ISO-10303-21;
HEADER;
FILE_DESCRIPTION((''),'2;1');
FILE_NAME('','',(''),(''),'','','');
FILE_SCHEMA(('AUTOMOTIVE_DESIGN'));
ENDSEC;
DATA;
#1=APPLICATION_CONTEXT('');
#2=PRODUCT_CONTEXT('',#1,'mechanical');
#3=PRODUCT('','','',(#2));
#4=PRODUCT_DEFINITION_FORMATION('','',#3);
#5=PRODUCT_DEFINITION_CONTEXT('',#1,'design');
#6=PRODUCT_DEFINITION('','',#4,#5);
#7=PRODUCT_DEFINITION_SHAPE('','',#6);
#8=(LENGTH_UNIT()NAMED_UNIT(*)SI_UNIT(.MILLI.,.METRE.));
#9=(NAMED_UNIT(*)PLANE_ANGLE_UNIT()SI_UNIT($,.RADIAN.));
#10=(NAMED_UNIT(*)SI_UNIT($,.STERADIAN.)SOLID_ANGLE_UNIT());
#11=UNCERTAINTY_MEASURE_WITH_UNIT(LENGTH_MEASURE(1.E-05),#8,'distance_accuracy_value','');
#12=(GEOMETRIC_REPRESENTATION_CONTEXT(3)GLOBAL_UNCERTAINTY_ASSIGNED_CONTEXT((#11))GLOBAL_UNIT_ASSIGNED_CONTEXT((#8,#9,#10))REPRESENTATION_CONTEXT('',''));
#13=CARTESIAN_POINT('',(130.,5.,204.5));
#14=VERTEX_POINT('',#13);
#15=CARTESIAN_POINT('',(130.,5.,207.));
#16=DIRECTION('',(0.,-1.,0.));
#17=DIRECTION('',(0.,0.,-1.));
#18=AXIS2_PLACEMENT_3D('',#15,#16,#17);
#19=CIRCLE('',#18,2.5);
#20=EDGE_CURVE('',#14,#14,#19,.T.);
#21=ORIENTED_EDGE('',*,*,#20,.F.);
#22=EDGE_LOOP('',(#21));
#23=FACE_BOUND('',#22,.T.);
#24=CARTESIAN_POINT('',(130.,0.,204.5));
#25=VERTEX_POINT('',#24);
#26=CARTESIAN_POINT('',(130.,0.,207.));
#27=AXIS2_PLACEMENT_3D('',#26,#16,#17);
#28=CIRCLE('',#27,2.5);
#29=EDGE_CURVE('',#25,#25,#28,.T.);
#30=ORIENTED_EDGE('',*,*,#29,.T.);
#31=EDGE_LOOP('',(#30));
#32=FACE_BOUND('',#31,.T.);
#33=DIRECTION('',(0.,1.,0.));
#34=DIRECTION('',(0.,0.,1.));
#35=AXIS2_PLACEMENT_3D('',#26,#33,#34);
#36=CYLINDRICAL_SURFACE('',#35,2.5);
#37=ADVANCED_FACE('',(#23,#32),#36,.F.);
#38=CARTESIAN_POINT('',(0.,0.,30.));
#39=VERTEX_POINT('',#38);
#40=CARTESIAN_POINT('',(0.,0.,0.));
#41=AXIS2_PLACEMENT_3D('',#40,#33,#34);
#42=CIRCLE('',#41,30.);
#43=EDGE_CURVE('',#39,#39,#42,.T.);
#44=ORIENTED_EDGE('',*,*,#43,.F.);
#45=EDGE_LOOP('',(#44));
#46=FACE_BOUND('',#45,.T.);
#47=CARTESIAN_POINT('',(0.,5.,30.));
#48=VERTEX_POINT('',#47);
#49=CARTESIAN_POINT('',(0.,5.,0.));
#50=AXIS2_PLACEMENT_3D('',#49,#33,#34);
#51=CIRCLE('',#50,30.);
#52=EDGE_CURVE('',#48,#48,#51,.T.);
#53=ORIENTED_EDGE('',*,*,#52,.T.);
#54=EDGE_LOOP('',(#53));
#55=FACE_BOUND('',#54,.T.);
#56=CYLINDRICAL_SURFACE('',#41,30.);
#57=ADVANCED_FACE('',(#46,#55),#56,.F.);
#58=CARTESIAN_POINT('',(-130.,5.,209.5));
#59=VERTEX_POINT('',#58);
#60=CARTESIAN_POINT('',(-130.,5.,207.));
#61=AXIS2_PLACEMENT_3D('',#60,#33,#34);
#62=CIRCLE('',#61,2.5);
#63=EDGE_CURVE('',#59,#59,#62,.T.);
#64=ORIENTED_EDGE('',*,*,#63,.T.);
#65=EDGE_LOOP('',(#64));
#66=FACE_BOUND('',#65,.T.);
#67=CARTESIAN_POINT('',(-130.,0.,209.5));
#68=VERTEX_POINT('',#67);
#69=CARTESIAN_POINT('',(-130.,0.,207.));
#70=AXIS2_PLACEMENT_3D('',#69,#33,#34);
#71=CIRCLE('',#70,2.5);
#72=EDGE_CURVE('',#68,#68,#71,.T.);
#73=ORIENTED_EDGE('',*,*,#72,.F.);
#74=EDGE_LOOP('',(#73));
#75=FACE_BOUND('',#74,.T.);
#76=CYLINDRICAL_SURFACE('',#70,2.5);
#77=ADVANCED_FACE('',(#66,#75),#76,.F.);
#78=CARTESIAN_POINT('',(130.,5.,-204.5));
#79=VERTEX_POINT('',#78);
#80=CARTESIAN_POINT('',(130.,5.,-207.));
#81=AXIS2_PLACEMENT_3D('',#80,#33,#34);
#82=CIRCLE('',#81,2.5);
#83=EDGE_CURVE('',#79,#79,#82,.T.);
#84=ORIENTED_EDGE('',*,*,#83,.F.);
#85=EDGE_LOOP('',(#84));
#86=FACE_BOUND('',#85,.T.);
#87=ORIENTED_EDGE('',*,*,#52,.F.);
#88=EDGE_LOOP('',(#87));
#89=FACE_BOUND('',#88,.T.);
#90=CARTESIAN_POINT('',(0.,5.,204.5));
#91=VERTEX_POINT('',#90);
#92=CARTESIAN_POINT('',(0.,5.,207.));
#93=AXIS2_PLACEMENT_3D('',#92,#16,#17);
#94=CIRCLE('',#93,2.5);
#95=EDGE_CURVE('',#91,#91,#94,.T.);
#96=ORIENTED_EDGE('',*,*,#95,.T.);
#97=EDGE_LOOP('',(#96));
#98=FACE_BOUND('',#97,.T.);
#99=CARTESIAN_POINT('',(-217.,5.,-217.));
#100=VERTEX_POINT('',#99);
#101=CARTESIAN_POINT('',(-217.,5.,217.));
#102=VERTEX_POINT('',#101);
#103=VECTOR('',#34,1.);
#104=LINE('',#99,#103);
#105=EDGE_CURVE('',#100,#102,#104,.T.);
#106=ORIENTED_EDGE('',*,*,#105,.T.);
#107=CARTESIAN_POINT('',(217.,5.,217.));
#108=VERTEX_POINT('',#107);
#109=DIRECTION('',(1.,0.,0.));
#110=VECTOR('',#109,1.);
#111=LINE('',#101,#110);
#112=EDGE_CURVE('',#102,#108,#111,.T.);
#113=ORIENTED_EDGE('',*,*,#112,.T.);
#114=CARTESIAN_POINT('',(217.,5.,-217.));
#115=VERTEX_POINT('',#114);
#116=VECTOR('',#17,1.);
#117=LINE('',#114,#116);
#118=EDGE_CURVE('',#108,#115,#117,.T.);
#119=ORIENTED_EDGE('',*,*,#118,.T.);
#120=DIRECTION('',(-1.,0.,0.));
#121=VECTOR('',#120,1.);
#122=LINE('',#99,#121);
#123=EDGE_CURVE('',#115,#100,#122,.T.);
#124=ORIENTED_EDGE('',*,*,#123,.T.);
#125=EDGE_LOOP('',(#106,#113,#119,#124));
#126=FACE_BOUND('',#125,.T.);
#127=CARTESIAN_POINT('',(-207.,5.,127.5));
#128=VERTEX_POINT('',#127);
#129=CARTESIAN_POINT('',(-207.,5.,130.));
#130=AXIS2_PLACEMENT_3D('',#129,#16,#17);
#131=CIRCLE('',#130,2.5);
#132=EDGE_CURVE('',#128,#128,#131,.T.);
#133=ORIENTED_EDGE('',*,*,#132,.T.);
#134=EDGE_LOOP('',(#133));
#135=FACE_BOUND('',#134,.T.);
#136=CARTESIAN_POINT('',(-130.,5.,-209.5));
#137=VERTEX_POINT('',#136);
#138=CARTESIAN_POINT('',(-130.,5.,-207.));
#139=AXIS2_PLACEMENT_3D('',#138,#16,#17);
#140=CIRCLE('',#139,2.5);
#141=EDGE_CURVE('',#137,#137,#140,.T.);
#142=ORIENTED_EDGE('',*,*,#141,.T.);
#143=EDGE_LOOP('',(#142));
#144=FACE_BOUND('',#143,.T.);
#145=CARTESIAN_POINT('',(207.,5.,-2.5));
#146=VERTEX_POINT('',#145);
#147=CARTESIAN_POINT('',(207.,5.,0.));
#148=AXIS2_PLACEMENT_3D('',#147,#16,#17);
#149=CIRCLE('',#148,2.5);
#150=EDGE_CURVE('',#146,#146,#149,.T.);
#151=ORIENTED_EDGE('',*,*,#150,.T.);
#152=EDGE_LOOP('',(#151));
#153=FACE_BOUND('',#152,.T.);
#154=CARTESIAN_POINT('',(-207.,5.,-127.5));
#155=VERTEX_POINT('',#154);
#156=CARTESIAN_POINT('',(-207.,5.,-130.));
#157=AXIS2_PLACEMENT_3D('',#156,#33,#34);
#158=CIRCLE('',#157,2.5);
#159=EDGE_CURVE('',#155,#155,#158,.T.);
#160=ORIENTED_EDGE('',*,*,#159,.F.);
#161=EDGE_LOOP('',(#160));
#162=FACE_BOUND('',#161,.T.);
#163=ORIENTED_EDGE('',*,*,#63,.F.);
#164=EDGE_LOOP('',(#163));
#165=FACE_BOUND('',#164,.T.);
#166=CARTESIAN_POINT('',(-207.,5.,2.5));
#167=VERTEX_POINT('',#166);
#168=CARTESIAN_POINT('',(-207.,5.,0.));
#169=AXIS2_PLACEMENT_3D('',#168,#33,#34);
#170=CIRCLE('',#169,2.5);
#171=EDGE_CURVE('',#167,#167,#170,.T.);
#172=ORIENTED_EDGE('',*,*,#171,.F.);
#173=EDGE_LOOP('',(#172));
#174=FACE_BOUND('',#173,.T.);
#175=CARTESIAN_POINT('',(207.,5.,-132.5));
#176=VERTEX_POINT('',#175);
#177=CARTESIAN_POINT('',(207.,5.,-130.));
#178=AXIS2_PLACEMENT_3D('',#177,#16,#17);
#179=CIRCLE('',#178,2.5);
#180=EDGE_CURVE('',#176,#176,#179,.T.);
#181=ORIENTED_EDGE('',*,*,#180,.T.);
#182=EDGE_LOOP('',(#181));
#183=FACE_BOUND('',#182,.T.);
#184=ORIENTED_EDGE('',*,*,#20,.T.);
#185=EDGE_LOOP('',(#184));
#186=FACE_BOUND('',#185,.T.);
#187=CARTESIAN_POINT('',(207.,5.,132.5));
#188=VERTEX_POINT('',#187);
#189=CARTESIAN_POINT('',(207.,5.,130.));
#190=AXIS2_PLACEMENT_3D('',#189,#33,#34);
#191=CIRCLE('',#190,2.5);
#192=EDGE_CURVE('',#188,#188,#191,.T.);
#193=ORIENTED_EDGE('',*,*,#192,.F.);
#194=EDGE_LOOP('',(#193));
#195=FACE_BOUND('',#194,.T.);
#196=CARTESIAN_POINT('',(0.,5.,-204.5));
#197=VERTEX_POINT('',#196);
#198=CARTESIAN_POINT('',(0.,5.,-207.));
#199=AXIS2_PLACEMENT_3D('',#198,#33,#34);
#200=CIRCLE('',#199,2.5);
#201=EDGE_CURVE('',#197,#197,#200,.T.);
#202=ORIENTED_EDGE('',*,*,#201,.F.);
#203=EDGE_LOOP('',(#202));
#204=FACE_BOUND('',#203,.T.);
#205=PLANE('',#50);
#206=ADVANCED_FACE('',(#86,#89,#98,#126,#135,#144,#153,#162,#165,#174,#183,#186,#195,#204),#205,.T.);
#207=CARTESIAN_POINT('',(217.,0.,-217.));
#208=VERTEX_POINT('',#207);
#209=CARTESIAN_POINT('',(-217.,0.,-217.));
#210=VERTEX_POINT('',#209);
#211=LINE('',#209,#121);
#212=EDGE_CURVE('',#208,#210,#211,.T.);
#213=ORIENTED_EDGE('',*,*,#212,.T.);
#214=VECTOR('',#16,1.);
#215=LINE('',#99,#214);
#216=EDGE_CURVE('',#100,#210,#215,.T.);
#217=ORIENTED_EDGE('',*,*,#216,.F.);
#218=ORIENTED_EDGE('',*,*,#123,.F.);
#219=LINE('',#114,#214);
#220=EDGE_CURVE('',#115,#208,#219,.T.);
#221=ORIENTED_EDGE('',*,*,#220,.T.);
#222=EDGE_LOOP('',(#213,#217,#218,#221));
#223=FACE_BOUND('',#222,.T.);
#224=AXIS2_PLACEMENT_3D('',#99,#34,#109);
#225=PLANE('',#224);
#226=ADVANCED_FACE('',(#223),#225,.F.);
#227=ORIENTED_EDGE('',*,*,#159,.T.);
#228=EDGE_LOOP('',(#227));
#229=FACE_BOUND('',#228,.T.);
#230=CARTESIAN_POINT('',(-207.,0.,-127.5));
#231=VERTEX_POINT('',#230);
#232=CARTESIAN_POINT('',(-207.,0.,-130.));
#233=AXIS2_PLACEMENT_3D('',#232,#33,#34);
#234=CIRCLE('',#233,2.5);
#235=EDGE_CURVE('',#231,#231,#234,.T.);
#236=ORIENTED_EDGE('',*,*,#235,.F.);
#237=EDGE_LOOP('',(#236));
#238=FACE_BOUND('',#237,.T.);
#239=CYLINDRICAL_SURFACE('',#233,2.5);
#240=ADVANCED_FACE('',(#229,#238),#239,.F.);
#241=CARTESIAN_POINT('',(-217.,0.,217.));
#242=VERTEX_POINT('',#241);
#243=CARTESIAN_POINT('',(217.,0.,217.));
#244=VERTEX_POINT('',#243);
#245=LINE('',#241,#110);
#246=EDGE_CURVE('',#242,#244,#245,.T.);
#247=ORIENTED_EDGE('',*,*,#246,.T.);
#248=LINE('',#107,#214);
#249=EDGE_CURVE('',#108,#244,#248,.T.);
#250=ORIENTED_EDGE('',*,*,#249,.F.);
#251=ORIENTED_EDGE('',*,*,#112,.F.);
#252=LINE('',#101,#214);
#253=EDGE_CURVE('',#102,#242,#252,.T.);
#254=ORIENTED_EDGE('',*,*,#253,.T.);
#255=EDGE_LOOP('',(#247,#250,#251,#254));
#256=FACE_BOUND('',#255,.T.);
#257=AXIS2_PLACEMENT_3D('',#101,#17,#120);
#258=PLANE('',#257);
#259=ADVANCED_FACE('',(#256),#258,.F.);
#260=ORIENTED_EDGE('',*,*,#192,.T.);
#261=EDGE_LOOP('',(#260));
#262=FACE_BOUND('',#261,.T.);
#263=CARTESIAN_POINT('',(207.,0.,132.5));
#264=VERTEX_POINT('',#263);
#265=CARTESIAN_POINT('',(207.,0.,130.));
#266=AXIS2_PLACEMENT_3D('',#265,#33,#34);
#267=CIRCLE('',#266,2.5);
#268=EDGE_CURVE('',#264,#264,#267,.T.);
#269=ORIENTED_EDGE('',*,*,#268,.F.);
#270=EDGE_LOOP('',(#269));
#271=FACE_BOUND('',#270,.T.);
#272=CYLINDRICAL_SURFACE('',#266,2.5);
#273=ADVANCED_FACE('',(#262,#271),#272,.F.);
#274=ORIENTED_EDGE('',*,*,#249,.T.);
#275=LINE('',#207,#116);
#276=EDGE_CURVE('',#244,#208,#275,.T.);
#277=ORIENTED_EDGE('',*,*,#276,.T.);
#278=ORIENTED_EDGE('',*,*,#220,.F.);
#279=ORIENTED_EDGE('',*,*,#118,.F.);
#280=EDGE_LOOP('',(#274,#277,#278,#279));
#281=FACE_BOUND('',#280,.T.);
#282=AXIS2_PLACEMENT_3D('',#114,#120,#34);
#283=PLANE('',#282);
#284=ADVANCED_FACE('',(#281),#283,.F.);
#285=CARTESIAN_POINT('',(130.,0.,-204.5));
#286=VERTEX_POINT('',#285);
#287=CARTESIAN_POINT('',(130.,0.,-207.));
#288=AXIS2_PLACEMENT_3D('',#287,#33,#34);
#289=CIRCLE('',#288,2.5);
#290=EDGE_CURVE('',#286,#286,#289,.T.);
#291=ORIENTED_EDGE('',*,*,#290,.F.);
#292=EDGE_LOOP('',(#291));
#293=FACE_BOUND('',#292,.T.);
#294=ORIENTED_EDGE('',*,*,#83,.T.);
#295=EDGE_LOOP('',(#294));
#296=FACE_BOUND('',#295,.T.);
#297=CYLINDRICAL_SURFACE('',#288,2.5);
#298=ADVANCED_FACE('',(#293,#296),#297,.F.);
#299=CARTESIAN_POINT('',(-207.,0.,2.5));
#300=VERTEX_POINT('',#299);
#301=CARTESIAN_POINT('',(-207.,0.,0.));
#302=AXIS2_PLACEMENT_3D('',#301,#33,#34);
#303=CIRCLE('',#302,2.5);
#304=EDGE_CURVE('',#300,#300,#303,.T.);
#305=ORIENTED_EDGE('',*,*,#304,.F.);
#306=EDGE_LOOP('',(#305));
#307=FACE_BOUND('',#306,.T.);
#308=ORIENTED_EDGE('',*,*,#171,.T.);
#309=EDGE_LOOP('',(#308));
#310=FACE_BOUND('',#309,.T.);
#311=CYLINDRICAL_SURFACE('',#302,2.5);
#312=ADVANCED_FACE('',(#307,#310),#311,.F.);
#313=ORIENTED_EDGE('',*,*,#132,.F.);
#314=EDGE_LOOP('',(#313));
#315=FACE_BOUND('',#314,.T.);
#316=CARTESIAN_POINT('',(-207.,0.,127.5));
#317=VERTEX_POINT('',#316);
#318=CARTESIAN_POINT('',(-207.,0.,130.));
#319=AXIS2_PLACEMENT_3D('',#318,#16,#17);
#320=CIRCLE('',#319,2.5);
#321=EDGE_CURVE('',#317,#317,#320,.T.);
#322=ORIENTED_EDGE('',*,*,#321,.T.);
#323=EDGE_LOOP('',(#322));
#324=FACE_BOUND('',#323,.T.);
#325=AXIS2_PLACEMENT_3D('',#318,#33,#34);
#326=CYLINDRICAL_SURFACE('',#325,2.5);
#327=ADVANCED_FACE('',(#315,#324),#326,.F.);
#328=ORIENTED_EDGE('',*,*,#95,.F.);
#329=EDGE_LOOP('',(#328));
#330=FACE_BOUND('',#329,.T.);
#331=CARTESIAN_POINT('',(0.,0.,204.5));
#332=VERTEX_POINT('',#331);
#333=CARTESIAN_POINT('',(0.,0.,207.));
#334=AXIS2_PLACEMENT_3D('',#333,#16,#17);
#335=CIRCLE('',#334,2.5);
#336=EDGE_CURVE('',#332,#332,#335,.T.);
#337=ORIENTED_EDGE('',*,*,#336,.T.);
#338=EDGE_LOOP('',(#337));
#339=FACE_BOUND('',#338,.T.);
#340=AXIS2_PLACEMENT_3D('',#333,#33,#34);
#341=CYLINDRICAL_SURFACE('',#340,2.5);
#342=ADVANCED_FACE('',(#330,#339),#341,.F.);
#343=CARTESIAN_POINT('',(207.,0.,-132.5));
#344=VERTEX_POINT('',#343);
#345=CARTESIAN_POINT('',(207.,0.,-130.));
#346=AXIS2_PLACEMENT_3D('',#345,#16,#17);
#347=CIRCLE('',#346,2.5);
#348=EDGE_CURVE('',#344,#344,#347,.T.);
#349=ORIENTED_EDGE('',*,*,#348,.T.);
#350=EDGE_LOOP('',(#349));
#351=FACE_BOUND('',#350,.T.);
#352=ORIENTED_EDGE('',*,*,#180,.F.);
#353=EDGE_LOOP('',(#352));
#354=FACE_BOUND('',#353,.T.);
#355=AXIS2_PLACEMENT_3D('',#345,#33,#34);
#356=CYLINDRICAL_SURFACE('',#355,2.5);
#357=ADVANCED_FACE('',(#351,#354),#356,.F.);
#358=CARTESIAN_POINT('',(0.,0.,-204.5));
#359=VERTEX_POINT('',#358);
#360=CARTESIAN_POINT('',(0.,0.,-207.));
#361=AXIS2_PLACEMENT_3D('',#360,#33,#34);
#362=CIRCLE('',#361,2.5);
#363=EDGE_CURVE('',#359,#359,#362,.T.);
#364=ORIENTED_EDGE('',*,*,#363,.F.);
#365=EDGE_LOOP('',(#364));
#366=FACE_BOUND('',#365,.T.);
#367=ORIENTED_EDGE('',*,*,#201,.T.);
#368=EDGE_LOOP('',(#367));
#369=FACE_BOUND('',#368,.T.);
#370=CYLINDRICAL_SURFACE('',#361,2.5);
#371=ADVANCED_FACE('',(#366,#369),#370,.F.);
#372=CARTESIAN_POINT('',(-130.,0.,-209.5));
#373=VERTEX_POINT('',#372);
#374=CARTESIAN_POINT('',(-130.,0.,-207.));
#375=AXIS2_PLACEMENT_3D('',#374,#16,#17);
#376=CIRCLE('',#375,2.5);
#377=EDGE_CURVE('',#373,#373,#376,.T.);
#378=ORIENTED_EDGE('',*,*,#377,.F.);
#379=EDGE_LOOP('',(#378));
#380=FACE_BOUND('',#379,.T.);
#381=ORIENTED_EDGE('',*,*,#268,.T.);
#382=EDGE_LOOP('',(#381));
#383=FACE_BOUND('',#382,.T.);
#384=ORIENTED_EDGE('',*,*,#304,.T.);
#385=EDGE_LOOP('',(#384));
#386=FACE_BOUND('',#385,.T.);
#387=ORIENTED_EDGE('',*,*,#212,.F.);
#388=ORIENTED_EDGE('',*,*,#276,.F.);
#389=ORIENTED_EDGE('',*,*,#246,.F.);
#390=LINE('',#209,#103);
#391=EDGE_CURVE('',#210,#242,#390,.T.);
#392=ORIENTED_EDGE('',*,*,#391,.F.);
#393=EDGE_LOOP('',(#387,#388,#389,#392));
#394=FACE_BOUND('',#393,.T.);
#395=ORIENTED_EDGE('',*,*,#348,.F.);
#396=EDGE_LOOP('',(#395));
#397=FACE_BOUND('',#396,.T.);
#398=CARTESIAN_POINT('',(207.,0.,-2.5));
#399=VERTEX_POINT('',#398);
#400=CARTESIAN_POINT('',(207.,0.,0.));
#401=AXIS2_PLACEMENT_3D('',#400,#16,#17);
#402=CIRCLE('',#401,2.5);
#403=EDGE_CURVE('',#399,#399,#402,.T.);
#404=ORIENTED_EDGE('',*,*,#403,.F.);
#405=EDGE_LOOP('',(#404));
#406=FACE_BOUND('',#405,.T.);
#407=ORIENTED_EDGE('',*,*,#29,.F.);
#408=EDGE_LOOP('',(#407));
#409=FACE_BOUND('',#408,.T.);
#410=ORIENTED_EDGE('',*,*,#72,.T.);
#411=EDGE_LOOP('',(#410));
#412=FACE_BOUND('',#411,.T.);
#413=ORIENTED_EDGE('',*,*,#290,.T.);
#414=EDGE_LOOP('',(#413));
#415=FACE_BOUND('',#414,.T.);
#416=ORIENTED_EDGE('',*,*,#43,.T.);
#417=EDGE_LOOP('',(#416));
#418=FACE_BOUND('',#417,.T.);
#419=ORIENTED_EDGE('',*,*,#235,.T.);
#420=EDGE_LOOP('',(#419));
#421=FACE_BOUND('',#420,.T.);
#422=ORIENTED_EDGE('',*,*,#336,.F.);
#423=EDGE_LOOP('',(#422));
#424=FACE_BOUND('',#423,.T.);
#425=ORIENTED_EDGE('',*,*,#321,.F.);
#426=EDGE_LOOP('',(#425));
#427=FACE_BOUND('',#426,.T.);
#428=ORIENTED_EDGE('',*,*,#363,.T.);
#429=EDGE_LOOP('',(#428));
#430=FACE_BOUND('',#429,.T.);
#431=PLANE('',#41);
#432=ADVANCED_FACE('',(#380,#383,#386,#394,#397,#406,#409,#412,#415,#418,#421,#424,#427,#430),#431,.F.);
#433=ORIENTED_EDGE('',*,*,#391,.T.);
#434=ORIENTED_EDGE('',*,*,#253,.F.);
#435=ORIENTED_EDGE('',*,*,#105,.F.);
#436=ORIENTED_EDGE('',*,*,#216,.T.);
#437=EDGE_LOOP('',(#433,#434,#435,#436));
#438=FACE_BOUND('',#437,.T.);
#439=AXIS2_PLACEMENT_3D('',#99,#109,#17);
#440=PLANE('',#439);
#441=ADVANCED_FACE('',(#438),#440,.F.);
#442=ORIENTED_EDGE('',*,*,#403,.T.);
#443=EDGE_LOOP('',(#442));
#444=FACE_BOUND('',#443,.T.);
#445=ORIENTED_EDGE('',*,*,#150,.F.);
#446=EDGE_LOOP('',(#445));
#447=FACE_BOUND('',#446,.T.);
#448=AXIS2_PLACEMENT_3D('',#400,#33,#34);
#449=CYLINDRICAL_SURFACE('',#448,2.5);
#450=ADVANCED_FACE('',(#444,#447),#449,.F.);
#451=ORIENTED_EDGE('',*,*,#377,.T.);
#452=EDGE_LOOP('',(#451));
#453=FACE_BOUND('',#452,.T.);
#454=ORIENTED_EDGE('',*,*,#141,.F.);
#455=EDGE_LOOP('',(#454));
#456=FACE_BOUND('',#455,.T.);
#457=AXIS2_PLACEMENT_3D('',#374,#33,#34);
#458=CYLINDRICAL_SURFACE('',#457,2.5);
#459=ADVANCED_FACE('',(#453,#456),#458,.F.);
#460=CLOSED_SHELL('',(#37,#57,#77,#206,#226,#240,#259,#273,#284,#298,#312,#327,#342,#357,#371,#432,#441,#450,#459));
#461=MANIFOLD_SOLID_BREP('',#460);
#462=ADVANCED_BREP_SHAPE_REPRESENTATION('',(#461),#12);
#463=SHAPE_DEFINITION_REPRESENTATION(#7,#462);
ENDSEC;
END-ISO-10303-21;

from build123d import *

# Parameters (mm, degrees)
SKETCH1_W           = 434
SKETCH1_H           = 434
BOSS_EXTRUDE1_DEPTH = 5
SKETCH2_R           = 2.5
CUT_EXTRUDE1_DEPTH  = 5
SKETCH3_R           = 30
CUT_EXTRUDE2_DEPTH  = 5


with BuildPart() as part:
    # Sketch1 → Boss-Extrude1 (new body)
    with BuildSketch(Plane(origin=(0, 0, 0), x_dir=(1, 0, 0), z_dir=(0, 1, 0))):
        Rectangle(SKETCH1_W, SKETCH1_H)
    extrude(amount=BOSS_EXTRUDE1_DEPTH)

    # Sketch2 → Cut-Extrude1 (cut)
    with BuildSketch(Plane(origin=(0, 5, 0), x_dir=(1, 0, 0), z_dir=(0, 1, 0))):
        with Locations(Location((-207, 130, 0), (0, 0, 270))):
            Circle(SKETCH2_R)
        with Locations(Location((-207, 0, 0), (0, 0, 270))):
            Circle(SKETCH2_R)
        with Locations(Location((-207, -130, 0), (0, 0, 90))):
            Circle(SKETCH2_R)
        with Locations(Location((207, -130, 0), (0, 0, 270))):
            Circle(SKETCH2_R)
        with Locations(Location((207, 0, 0), (0, 0, 90))):
            Circle(SKETCH2_R)
        with Locations(Location((207, 130, 0), (0, 0, 90))):
            Circle(SKETCH2_R)
        with Locations(Location((130, 207, 0), (0, 0, 270))):
            Circle(SKETCH2_R)
        with Locations(Location((0, 207, 0), (0, 0, 270))):
            Circle(SKETCH2_R)
        with Locations(Location((-130, 207, 0), (0, 0, 90))):
            Circle(SKETCH2_R)
        with Locations(Location((-130, -207, 0), (0, 0, 270))):
            Circle(SKETCH2_R)
        with Locations(Location((0, -207, 0), (0, 0, 90))):
            Circle(SKETCH2_R)
        with Locations(Location((130, -207, 0), (0, 0, 90))):
            Circle(SKETCH2_R)
    extrude(amount=-CUT_EXTRUDE1_DEPTH, mode=Mode.SUBTRACT)

    # Sketch3 → Cut-Extrude2 (cut)
    with BuildSketch(Plane(origin=(0, 5, 0), x_dir=(1, 0, 0), z_dir=(0, 1, 0))):
        with Locations(Location((0, 0, 0), (0, 0, 270))):
            Circle(SKETCH3_R)
    extrude(amount=-CUT_EXTRUDE2_DEPTH, mode=Mode.SUBTRACT)


solid = part.part
